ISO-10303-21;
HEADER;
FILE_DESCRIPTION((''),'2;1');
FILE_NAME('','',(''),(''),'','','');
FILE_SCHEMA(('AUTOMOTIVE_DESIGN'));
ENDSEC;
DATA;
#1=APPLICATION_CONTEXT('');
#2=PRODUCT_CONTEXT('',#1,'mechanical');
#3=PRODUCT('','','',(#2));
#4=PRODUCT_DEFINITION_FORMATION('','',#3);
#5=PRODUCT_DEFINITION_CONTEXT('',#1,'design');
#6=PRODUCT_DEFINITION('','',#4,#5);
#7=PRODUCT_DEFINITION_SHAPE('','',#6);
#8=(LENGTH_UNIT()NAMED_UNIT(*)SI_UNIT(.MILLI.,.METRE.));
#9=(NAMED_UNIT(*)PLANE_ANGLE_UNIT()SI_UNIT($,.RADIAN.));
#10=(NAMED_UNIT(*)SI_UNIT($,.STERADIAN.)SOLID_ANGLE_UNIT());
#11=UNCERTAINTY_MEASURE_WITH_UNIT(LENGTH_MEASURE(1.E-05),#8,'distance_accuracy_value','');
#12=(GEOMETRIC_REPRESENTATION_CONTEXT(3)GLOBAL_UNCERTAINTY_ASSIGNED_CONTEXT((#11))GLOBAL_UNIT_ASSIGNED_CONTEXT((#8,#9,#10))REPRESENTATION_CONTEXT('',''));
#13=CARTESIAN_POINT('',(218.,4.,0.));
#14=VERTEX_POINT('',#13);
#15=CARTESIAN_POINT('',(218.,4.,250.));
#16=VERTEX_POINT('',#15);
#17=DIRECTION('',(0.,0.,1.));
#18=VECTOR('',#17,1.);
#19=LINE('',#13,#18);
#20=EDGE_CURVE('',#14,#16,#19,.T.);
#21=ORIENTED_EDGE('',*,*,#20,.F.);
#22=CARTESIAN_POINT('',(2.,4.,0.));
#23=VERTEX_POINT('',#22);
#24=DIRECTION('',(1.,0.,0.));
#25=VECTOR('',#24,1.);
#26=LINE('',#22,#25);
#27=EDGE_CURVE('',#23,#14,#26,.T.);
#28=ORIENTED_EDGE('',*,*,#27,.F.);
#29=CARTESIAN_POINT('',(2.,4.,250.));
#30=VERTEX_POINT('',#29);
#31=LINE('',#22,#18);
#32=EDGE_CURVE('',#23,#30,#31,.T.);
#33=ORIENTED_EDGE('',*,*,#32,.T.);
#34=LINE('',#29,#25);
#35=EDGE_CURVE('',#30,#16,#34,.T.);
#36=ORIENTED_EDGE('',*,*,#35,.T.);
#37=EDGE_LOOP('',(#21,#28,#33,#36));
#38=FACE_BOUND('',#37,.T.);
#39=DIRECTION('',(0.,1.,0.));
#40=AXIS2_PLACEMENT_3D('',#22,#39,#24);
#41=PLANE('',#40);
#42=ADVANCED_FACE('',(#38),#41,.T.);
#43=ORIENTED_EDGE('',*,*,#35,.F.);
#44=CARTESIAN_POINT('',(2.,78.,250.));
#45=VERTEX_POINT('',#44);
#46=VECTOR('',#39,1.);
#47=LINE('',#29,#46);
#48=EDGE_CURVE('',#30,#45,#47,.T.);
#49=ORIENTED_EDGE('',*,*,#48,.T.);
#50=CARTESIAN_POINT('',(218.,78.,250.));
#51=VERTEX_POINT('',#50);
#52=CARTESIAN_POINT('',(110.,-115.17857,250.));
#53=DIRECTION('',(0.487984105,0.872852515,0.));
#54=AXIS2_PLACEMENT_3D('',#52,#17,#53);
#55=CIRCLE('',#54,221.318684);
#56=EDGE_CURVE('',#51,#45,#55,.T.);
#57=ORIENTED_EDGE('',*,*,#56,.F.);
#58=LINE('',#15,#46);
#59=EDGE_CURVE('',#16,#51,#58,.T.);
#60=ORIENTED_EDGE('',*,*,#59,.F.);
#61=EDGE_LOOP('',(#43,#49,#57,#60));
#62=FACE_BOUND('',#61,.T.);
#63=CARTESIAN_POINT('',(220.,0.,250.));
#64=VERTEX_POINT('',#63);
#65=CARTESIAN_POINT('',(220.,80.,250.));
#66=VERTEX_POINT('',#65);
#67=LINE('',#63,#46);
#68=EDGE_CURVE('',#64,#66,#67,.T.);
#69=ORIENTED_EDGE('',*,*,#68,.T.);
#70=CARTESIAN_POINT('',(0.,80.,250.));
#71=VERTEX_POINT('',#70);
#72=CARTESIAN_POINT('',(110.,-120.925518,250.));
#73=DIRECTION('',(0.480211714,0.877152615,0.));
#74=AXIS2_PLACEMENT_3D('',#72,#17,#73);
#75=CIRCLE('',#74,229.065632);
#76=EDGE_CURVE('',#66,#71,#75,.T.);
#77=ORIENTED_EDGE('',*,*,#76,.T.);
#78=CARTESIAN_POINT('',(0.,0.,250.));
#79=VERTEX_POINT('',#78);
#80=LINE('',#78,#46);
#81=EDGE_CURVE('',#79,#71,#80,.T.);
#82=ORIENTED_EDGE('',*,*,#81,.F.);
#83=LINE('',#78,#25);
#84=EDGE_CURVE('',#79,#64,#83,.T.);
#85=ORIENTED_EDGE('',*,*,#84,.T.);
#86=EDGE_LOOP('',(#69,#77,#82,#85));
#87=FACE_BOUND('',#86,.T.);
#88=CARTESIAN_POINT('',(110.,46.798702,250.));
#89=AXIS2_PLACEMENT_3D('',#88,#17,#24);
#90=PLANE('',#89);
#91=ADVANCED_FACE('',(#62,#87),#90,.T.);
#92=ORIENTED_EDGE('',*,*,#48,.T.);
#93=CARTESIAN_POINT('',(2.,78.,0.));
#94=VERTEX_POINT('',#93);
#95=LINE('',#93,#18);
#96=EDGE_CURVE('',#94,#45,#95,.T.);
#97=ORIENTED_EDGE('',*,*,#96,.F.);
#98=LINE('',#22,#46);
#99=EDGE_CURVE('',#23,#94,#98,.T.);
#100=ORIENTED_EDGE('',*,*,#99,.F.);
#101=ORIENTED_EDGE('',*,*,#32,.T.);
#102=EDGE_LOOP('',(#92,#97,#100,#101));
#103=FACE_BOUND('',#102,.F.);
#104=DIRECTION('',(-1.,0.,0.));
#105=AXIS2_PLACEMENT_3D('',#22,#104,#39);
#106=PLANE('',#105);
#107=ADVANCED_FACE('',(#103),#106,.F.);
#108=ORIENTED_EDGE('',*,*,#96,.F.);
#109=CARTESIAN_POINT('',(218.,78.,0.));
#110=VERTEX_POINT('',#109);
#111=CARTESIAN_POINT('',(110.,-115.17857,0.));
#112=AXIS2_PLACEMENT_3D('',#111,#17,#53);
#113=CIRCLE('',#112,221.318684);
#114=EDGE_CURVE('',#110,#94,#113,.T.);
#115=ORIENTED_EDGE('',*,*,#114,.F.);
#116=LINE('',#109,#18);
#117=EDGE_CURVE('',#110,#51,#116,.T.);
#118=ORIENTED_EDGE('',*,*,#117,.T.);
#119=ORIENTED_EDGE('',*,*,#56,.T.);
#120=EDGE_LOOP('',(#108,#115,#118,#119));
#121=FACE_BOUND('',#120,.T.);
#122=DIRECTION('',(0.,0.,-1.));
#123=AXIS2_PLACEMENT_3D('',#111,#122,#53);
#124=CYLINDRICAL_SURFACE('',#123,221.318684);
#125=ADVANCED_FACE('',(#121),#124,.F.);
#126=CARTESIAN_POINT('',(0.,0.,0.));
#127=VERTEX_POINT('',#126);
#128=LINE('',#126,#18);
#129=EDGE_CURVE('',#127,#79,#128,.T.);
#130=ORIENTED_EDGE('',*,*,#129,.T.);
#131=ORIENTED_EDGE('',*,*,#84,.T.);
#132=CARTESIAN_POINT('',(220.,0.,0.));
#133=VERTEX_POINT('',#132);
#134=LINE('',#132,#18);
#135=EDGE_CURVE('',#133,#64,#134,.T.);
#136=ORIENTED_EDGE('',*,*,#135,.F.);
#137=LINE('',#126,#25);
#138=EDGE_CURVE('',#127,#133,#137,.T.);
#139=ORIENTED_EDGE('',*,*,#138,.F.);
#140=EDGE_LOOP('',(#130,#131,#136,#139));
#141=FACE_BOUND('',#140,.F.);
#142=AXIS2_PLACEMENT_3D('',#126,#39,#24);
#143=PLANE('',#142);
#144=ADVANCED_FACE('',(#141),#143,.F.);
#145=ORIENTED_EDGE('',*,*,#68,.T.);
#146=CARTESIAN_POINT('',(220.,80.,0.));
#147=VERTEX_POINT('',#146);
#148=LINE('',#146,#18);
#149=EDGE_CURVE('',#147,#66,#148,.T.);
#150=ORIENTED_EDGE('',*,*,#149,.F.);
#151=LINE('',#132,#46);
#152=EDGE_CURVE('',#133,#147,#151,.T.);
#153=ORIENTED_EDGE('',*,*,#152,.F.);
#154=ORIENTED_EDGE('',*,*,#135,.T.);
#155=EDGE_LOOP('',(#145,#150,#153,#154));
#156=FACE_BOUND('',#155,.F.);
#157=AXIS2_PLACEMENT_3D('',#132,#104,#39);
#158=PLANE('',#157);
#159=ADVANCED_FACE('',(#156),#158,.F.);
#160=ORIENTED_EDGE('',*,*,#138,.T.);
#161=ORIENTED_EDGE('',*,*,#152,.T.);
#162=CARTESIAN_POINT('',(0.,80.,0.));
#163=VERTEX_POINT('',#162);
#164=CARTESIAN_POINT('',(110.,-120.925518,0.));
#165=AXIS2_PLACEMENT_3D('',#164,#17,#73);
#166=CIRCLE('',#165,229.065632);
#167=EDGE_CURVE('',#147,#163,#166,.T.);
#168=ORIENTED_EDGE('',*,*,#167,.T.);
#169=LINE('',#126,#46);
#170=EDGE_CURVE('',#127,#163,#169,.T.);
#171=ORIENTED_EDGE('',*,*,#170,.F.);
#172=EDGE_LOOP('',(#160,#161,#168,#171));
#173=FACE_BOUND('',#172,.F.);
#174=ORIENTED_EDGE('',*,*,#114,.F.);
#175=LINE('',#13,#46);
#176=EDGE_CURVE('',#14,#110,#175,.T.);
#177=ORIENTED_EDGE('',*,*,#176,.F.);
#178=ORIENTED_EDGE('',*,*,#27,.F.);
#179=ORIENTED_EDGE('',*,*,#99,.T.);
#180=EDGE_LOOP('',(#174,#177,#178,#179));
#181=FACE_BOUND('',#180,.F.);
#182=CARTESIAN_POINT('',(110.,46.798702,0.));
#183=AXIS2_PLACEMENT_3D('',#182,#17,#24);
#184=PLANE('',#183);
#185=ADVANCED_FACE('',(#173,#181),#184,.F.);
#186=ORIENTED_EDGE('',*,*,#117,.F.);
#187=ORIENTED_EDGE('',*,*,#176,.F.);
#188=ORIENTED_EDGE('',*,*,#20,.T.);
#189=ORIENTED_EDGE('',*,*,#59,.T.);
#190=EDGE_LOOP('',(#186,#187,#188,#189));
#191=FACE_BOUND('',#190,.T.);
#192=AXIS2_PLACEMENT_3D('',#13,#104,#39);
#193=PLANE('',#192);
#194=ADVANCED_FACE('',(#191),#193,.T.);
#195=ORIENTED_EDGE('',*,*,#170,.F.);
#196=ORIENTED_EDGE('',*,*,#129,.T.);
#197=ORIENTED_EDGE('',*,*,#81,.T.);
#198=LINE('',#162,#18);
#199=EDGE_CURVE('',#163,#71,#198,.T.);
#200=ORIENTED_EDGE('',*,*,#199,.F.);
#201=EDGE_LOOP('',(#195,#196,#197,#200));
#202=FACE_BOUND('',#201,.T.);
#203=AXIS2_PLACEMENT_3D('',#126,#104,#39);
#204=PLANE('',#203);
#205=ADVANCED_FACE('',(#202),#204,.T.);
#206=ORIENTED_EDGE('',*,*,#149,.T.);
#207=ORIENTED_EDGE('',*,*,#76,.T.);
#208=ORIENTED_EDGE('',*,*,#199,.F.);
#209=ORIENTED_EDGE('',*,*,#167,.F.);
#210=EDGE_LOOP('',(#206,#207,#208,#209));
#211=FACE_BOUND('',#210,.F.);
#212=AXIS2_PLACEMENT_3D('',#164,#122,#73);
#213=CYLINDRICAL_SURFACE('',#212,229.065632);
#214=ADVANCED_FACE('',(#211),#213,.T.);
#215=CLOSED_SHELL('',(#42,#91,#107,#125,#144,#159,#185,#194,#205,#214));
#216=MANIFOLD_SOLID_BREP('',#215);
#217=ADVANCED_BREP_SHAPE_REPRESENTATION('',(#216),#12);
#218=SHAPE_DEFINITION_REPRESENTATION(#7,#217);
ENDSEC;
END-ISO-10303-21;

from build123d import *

# Parameters (mm, degrees)
PAD_DEPTH = 250


with BuildPart() as part:
    # Sketch → Pad (new body)
    with BuildSketch(Plane.XY):
        with BuildLine():
            Line((0, 0), (220, 0))
            Line((220, 0), (220, 80))
            ThreePointArc((220, 80), (110, 108.140114), (0, 80))
            Line((0, 0), (0, 80))
        make_face()
        with BuildLine():
            Line((2, 4), (218, 4))
            Line((218, 4), (218, 78))
            ThreePointArc((218, 78), (110, 106.140114), (2, 78))
            Line((2, 4), (2, 78))
        make_face(mode=Mode.SUBTRACT)
    extrude(amount=PAD_DEPTH)


solid = part.part
